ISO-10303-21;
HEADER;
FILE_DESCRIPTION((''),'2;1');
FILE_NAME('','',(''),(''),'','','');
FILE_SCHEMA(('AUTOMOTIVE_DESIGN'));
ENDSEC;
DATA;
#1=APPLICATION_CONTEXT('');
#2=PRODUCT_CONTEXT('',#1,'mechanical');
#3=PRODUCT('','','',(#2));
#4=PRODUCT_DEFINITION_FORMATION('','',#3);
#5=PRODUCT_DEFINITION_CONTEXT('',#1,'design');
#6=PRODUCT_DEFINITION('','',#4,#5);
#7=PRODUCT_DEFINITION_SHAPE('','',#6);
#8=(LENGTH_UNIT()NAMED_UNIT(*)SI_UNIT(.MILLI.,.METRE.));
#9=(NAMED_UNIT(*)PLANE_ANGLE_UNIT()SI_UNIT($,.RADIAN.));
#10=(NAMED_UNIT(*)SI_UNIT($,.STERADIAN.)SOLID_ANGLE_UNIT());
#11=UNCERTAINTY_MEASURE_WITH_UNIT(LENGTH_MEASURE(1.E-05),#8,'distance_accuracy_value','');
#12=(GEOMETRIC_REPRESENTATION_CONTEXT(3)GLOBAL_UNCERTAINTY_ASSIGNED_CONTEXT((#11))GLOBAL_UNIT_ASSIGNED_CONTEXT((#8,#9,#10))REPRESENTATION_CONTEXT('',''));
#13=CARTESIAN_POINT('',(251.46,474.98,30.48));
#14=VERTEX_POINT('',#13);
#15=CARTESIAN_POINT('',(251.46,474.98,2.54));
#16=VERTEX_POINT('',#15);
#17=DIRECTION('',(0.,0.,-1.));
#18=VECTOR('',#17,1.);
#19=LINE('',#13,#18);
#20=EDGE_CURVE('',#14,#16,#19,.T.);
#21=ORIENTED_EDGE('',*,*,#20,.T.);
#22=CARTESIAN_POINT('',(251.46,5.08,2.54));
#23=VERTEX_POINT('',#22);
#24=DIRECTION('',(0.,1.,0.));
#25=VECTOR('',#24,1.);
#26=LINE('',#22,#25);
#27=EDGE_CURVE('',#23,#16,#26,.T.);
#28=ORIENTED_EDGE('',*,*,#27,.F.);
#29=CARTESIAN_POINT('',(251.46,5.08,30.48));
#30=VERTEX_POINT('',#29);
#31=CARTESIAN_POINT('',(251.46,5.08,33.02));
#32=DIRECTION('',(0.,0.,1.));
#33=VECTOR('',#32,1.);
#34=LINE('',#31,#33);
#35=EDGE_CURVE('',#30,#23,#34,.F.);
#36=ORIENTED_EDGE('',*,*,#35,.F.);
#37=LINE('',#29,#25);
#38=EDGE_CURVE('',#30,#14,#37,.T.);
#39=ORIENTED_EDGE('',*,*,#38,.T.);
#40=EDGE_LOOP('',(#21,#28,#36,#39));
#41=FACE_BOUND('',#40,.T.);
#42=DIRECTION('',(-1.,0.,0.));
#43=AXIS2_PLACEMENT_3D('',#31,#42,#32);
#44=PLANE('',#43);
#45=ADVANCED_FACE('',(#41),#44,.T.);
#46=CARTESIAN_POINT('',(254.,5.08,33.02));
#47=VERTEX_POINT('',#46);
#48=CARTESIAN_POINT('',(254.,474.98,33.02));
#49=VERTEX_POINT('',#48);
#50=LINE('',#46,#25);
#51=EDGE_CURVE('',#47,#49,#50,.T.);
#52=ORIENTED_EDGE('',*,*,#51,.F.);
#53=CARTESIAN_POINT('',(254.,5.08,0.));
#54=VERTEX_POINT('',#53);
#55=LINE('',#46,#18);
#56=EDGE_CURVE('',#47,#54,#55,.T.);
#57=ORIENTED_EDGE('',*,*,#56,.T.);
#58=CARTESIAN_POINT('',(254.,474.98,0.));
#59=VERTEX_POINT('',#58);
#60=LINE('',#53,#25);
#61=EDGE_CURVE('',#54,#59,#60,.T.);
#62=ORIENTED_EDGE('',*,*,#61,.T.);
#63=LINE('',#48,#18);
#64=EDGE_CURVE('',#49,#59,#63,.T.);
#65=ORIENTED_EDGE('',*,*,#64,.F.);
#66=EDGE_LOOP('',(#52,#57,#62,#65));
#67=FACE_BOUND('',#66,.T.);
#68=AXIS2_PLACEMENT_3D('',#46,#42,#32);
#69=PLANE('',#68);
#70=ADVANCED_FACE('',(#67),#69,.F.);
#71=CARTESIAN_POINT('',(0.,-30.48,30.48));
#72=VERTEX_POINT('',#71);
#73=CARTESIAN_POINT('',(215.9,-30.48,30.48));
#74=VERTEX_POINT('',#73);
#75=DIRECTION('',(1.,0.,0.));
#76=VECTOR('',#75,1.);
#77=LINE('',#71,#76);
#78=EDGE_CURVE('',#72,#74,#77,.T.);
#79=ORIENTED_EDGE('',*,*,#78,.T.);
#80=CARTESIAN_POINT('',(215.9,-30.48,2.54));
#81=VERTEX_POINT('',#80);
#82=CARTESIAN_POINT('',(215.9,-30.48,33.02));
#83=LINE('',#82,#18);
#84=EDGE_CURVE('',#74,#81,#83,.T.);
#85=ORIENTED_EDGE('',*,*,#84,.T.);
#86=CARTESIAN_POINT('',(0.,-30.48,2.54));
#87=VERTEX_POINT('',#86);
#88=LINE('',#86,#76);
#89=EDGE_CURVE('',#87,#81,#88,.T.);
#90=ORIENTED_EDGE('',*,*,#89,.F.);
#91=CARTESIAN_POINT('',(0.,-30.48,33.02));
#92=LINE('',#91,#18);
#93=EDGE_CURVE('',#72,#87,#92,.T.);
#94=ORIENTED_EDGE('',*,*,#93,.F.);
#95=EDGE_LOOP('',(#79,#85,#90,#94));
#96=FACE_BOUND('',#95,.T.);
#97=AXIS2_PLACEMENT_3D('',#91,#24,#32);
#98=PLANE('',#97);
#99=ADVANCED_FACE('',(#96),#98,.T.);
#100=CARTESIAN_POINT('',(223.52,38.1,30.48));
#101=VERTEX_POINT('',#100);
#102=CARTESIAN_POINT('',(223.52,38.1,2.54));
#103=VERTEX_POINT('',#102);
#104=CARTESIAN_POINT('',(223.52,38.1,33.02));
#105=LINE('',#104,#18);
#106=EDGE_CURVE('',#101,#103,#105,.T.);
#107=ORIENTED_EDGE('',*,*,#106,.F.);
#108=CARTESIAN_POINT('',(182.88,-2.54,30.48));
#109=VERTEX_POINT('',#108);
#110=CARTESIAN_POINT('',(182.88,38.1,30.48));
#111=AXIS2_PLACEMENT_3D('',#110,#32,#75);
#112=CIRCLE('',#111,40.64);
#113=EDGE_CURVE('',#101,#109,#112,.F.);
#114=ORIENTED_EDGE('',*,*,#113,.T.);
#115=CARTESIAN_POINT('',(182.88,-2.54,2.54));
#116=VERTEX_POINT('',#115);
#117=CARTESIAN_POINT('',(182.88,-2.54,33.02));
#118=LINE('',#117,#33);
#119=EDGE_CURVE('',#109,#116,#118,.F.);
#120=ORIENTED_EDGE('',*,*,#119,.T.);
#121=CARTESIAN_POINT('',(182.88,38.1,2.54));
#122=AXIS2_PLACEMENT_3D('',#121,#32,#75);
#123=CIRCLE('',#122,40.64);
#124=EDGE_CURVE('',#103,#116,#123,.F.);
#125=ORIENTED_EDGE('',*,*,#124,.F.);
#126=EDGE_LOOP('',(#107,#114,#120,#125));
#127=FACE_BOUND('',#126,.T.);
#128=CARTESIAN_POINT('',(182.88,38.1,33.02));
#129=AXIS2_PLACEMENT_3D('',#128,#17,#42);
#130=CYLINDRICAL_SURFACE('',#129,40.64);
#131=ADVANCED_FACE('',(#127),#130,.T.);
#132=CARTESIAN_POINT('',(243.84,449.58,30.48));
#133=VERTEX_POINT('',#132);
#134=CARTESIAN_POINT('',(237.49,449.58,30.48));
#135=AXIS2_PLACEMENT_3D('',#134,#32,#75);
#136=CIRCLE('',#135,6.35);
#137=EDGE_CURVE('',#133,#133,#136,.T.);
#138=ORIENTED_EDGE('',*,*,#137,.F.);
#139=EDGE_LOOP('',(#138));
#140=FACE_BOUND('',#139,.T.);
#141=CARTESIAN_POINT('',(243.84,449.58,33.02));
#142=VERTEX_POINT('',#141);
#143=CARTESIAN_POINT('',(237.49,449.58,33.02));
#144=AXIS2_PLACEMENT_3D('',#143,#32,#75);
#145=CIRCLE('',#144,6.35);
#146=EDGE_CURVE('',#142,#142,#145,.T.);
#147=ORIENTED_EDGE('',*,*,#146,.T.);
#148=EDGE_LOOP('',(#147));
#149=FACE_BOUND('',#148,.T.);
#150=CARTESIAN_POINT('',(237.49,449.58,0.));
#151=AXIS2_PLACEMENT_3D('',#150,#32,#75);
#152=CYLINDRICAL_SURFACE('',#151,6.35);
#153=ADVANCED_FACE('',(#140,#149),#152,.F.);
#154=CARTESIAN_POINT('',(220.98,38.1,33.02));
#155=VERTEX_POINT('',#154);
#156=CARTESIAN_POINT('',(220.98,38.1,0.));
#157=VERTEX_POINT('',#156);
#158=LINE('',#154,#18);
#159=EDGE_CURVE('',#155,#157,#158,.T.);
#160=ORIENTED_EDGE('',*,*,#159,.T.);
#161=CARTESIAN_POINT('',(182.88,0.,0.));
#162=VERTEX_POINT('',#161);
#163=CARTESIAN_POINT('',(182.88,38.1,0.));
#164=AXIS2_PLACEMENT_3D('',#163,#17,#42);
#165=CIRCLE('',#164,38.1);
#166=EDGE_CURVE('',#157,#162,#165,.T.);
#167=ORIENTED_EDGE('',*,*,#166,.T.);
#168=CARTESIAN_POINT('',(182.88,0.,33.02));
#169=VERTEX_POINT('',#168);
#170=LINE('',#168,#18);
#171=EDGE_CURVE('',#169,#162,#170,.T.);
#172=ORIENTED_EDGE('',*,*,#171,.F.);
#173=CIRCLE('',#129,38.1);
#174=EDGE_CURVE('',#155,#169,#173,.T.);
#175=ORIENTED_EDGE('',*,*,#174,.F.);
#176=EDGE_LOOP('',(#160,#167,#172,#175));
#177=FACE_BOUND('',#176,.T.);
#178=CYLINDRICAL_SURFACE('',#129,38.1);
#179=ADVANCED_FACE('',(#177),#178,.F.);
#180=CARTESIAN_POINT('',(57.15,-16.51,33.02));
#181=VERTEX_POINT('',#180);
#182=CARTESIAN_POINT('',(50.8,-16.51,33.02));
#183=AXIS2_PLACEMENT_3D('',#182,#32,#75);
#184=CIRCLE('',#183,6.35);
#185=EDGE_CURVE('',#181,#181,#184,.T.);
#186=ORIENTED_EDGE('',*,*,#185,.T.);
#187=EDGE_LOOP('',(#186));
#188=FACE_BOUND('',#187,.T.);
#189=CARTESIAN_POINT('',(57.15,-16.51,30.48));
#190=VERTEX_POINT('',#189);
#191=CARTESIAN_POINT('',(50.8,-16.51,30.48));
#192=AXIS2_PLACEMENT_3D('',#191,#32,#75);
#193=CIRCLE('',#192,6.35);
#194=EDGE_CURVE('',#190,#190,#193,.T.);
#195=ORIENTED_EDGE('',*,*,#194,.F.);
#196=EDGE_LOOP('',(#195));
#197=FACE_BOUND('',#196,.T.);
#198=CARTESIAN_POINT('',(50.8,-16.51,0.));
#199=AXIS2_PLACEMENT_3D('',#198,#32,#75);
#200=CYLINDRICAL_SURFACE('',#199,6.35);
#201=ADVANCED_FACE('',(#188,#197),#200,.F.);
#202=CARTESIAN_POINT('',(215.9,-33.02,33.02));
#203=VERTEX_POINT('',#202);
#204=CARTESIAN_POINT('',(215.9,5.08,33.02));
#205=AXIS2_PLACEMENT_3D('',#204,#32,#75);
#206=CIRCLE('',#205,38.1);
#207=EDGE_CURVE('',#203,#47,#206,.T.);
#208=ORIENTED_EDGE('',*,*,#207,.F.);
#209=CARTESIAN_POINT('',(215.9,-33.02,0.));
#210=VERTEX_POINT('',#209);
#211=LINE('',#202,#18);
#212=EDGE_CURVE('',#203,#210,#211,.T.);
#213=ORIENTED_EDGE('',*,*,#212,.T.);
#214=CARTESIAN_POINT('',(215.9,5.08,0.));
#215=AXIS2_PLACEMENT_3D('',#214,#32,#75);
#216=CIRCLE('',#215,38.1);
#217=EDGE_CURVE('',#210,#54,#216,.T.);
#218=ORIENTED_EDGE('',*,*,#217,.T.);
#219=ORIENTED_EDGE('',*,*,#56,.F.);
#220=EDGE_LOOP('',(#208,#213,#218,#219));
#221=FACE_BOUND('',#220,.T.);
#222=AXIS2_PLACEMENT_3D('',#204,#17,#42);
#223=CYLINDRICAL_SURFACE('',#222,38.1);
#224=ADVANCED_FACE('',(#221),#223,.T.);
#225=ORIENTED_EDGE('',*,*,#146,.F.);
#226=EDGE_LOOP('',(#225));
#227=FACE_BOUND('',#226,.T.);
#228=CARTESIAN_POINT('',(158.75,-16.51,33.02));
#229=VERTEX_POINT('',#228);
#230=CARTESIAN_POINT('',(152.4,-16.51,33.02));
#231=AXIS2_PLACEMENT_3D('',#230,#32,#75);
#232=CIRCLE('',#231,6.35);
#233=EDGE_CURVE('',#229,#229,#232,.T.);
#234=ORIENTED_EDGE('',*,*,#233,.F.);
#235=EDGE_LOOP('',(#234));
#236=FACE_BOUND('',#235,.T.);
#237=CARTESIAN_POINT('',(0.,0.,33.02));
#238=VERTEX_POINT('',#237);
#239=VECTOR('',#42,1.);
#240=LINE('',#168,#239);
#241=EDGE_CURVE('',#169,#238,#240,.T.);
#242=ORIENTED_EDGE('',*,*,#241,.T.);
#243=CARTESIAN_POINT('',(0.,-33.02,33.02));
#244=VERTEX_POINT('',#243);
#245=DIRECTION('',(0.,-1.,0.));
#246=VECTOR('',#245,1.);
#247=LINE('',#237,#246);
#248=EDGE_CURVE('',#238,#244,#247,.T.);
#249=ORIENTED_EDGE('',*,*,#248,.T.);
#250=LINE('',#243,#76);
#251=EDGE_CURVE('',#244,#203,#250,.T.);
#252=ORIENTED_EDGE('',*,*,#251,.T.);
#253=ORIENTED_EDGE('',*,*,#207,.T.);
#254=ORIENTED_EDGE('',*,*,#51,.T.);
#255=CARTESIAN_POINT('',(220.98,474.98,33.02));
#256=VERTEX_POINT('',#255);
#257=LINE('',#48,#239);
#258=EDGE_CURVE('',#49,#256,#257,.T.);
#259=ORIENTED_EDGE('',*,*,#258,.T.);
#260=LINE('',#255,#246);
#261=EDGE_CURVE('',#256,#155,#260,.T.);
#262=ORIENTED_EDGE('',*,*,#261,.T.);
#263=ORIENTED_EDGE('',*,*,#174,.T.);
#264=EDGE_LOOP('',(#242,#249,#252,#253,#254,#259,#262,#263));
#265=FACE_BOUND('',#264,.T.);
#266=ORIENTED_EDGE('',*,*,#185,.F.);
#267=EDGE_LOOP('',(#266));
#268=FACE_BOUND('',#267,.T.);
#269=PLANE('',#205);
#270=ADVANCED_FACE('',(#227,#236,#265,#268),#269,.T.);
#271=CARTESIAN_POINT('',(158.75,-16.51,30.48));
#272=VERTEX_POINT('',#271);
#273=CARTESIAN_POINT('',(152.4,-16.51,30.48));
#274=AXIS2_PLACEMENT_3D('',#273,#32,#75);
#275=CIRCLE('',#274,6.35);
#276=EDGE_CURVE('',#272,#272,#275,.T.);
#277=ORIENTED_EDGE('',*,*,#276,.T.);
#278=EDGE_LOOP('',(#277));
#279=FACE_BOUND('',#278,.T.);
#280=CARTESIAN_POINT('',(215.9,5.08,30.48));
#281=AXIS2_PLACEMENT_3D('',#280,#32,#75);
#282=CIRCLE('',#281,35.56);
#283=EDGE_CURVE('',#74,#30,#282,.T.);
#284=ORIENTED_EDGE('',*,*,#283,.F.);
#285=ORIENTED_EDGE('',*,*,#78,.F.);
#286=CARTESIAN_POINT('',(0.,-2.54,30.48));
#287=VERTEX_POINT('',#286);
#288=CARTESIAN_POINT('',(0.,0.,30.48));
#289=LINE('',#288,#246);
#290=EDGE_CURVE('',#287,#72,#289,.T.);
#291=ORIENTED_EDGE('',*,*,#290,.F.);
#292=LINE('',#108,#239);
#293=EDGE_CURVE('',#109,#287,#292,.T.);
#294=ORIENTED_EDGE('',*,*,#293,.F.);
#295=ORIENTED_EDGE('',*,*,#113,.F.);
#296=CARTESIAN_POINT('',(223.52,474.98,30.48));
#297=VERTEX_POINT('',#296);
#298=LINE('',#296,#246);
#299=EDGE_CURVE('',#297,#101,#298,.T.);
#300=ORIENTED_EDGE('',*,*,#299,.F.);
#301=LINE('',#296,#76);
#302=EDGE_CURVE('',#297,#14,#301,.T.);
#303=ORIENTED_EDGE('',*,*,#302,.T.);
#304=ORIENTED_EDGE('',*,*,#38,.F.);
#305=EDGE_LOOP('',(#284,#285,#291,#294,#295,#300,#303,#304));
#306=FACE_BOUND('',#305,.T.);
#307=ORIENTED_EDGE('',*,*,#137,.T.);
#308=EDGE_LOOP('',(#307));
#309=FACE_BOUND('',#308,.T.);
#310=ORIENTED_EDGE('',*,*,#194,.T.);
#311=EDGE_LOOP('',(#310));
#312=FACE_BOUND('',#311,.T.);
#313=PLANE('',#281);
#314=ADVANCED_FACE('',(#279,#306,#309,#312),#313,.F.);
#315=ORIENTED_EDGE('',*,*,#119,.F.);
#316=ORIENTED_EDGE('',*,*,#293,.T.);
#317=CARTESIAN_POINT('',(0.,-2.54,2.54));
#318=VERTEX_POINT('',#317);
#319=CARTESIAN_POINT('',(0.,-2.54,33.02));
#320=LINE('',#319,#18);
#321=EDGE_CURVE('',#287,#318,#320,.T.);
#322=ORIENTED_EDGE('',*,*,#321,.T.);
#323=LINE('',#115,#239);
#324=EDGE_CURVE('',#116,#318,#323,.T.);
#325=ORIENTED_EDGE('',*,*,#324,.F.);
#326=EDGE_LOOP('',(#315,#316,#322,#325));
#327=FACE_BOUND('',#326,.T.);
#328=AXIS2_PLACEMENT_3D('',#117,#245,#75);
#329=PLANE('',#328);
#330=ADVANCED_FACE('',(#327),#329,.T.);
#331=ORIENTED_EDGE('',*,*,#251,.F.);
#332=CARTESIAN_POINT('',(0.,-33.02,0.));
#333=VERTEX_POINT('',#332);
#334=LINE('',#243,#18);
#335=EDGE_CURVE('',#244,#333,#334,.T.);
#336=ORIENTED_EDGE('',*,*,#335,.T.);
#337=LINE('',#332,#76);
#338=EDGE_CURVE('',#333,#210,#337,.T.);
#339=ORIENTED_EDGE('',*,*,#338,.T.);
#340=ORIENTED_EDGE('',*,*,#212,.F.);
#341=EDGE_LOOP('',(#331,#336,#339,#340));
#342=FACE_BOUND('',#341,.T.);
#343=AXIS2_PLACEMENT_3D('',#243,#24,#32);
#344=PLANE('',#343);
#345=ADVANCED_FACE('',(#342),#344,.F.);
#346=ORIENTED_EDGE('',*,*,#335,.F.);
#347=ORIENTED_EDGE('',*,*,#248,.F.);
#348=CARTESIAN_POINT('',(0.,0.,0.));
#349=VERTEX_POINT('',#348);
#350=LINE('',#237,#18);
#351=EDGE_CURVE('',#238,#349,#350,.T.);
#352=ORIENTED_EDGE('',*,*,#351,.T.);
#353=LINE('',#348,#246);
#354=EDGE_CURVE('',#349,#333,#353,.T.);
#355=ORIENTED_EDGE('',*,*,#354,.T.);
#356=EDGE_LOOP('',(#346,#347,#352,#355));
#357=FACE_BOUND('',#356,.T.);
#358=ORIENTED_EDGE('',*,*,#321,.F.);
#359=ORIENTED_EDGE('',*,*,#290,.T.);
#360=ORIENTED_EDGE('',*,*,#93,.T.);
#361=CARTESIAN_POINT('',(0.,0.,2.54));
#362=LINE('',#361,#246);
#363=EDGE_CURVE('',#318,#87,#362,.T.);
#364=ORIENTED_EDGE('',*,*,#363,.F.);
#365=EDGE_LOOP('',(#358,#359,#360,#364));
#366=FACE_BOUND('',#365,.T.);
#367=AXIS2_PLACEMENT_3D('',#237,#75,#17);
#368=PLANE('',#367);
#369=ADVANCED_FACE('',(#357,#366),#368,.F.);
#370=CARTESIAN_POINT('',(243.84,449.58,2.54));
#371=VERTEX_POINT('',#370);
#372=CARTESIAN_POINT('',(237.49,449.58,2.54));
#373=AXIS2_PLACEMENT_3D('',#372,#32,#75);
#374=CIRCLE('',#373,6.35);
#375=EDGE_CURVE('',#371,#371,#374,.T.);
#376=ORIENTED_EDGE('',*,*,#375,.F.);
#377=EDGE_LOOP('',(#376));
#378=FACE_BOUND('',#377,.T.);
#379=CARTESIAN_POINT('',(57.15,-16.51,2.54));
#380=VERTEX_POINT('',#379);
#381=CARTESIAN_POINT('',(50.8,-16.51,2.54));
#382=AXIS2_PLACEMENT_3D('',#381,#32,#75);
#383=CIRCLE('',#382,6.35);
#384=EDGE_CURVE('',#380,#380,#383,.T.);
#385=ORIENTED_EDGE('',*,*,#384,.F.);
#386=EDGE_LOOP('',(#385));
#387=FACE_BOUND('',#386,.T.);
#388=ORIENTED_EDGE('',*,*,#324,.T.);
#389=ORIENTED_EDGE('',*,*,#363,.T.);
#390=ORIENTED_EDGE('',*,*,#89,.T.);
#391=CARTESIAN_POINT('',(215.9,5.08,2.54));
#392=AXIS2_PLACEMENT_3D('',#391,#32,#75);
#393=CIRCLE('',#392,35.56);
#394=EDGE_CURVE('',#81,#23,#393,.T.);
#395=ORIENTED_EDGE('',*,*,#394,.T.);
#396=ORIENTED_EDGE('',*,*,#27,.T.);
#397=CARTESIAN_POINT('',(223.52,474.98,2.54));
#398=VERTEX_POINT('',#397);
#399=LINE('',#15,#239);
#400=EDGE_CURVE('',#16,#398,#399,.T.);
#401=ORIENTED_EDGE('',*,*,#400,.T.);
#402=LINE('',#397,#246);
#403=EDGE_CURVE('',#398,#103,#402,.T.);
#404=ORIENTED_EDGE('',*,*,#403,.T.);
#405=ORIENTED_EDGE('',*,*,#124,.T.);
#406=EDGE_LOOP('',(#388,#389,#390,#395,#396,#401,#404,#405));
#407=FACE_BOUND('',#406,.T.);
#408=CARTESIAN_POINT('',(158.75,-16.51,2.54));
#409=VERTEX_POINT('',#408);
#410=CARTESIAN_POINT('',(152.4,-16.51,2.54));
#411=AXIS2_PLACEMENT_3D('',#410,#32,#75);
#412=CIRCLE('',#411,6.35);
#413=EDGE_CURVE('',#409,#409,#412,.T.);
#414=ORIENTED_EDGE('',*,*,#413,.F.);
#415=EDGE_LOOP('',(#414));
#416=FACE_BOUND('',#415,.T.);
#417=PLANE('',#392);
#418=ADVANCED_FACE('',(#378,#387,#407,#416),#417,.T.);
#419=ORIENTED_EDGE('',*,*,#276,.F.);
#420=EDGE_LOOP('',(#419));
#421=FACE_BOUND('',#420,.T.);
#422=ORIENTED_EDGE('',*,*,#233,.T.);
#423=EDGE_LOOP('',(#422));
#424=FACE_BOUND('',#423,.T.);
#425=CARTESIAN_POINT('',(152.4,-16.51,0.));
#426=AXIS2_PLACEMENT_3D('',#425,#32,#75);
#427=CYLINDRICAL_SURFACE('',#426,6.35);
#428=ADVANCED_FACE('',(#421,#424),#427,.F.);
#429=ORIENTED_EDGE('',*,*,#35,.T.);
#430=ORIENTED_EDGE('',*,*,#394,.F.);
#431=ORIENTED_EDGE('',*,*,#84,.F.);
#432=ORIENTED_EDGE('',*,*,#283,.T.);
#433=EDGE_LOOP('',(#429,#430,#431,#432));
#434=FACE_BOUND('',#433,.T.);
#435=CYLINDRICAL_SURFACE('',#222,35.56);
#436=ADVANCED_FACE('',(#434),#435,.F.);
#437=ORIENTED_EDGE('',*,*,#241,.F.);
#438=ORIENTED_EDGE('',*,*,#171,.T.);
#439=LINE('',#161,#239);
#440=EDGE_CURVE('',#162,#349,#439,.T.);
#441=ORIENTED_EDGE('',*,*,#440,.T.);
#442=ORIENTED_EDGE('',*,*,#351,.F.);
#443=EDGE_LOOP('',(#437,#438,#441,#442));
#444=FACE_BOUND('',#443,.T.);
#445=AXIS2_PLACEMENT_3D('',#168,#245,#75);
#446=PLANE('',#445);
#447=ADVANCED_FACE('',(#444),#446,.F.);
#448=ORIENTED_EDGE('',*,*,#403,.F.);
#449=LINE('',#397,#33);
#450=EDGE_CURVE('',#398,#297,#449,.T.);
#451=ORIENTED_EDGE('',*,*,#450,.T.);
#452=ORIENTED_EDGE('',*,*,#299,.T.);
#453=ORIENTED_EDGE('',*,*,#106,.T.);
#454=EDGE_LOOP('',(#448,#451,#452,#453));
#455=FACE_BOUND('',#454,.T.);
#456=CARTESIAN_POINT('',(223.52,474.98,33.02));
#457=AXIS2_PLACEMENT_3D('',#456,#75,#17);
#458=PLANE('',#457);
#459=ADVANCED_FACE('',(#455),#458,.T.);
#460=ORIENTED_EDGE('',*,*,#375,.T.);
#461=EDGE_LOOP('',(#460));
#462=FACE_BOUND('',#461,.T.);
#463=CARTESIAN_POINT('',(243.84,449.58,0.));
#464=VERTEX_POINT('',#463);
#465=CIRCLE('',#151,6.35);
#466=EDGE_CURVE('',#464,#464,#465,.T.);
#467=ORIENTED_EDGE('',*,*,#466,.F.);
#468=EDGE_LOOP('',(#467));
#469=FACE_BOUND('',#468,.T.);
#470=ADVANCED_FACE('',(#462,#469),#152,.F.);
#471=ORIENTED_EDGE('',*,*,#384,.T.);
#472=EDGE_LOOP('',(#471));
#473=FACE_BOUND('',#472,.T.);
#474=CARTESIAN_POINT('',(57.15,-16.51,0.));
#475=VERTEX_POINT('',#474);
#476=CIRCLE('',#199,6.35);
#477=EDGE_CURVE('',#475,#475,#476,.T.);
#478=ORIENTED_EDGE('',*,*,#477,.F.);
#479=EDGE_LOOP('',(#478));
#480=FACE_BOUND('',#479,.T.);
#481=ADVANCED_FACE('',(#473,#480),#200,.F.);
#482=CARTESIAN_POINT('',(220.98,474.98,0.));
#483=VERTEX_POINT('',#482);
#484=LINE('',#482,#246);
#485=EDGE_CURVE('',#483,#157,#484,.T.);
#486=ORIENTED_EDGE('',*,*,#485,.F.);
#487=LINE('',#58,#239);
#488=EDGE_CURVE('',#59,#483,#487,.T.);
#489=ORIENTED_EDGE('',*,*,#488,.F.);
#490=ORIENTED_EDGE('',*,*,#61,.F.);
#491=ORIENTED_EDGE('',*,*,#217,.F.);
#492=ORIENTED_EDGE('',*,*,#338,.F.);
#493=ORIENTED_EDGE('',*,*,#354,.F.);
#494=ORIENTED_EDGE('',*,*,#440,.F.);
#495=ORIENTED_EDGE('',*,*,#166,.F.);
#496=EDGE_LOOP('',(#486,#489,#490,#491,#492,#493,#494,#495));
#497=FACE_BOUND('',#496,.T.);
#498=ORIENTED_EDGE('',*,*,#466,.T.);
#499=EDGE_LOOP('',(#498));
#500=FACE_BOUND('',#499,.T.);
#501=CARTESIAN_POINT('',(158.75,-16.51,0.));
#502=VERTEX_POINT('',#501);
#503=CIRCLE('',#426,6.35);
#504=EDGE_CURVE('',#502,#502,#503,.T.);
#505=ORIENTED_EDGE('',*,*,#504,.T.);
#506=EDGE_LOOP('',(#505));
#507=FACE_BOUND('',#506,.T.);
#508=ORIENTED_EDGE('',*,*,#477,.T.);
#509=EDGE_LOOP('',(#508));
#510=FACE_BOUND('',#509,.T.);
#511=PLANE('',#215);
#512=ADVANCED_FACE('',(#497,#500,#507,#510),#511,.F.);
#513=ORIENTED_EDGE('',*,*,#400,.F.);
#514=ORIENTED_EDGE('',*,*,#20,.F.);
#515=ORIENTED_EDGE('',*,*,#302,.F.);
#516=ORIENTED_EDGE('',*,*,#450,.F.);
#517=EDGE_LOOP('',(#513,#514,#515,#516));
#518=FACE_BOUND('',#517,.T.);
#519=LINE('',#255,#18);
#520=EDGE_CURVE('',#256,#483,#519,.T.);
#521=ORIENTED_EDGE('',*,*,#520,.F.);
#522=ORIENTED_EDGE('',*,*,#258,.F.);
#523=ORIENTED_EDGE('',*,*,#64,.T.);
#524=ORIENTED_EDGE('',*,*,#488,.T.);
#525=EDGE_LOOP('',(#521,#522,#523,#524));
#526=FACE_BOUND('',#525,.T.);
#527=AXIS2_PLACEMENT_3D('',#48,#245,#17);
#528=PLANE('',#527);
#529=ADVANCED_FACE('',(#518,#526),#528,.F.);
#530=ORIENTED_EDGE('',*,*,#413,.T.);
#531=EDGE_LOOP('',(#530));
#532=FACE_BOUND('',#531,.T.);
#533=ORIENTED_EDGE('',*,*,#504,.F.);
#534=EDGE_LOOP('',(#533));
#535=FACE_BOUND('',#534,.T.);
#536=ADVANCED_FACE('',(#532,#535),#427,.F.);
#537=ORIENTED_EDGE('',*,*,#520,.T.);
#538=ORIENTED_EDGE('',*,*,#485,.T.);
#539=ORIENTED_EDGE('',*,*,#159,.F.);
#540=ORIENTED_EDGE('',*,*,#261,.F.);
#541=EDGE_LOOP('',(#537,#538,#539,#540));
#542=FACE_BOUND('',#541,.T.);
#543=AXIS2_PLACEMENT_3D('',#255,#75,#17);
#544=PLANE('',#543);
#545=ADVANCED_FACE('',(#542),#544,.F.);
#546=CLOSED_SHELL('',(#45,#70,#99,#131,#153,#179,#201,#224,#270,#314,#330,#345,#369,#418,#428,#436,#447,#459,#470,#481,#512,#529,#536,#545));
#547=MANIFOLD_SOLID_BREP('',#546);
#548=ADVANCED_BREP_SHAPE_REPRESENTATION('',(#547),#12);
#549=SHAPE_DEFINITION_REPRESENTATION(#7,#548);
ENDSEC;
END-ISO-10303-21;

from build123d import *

# Parameters (mm, degrees)
BOSS_EXTRUDE1_DEPTH = 33.02
SHELL1_T            = -2.54
CUT_EXTRUDE1_REACH  = 570.92
SKETCH2_W           = 27.94
SKETCH2_H           = 27.94
SKETCH3_R           = 6.35
CUT_EXTRUDE2_DEPTH  = 540.640918389
SKETCH4_R           = 6.35
CUT_EXTRUDE3_DEPTH  = 540.640918389


with BuildPart() as part:
    # Sketch1 → Boss-Extrude1 (new body)
    with BuildSketch(Plane.XY):
        with BuildLine():
            Line((0, 0), (0, -33.02))
            Line((0, -33.02), (215.9, -33.02))
            ThreePointArc((215.9, -33.02), (242.840768363, -21.860768363), (254, 5.08))
            Line((254, 5.08), (254, 474.98))
            Line((254, 474.98), (220.98, 474.98))
            Line((220.98, 474.98), (220.98, 38.1))
            ThreePointArc((220.98, 38.1), (209.820768363, 11.159231637), (182.88, 0))
            Line((182.88, 0), (0, 0))
        make_face()
    extrude(amount=BOSS_EXTRUDE1_DEPTH)

    # Shell1
    shell1_openings = [part.faces().sort_by_distance(p)[0] for p in [
        (0, -16.51, 16.51),
    ]]
    offset(amount=SHELL1_T, openings=shell1_openings, kind=Kind.INTERSECTION)

    # Sketch2 → Cut-Extrude1 (cut, up to next)
    with BuildSketch(Plane(origin=(0, 474.98, 0), x_dir=(1, 0, 0), z_dir=(0, 1, 0)), mode=Mode.PRIVATE) as cut_extrude1_sk1:
        with Locations((237.49, -16.51)):
            Rectangle(SKETCH2_W, SKETCH2_H)
    cut_extrude1_tool1 = extrude(cut_extrude1_sk1.sketch, amount=-CUT_EXTRUDE1_REACH, mode=Mode.PRIVATE) & part.part
    add(cut_extrude1_tool1.solids().sort_by_distance((237.49, 474.98, 16.51))[0], mode=Mode.SUBTRACT)

    # Sketch3 → Cut-Extrude2 (cut, through all)
    with BuildSketch(Plane.XY.offset(33.02)):
        with Locations((50.8, -16.51)):
            Circle(SKETCH3_R)
        with Locations((152.4, -16.51)):
            Circle(SKETCH3_R)
    extrude(amount=-CUT_EXTRUDE2_DEPTH, mode=Mode.SUBTRACT)

    # Sketch4 → Cut-Extrude3 (cut, through all)
    with BuildSketch(Plane.XY.offset(33.02)):
        with Locations((237.49, 449.58)):
            Circle(SKETCH4_R)
    extrude(amount=-CUT_EXTRUDE3_DEPTH, mode=Mode.SUBTRACT)


solid = part.part
